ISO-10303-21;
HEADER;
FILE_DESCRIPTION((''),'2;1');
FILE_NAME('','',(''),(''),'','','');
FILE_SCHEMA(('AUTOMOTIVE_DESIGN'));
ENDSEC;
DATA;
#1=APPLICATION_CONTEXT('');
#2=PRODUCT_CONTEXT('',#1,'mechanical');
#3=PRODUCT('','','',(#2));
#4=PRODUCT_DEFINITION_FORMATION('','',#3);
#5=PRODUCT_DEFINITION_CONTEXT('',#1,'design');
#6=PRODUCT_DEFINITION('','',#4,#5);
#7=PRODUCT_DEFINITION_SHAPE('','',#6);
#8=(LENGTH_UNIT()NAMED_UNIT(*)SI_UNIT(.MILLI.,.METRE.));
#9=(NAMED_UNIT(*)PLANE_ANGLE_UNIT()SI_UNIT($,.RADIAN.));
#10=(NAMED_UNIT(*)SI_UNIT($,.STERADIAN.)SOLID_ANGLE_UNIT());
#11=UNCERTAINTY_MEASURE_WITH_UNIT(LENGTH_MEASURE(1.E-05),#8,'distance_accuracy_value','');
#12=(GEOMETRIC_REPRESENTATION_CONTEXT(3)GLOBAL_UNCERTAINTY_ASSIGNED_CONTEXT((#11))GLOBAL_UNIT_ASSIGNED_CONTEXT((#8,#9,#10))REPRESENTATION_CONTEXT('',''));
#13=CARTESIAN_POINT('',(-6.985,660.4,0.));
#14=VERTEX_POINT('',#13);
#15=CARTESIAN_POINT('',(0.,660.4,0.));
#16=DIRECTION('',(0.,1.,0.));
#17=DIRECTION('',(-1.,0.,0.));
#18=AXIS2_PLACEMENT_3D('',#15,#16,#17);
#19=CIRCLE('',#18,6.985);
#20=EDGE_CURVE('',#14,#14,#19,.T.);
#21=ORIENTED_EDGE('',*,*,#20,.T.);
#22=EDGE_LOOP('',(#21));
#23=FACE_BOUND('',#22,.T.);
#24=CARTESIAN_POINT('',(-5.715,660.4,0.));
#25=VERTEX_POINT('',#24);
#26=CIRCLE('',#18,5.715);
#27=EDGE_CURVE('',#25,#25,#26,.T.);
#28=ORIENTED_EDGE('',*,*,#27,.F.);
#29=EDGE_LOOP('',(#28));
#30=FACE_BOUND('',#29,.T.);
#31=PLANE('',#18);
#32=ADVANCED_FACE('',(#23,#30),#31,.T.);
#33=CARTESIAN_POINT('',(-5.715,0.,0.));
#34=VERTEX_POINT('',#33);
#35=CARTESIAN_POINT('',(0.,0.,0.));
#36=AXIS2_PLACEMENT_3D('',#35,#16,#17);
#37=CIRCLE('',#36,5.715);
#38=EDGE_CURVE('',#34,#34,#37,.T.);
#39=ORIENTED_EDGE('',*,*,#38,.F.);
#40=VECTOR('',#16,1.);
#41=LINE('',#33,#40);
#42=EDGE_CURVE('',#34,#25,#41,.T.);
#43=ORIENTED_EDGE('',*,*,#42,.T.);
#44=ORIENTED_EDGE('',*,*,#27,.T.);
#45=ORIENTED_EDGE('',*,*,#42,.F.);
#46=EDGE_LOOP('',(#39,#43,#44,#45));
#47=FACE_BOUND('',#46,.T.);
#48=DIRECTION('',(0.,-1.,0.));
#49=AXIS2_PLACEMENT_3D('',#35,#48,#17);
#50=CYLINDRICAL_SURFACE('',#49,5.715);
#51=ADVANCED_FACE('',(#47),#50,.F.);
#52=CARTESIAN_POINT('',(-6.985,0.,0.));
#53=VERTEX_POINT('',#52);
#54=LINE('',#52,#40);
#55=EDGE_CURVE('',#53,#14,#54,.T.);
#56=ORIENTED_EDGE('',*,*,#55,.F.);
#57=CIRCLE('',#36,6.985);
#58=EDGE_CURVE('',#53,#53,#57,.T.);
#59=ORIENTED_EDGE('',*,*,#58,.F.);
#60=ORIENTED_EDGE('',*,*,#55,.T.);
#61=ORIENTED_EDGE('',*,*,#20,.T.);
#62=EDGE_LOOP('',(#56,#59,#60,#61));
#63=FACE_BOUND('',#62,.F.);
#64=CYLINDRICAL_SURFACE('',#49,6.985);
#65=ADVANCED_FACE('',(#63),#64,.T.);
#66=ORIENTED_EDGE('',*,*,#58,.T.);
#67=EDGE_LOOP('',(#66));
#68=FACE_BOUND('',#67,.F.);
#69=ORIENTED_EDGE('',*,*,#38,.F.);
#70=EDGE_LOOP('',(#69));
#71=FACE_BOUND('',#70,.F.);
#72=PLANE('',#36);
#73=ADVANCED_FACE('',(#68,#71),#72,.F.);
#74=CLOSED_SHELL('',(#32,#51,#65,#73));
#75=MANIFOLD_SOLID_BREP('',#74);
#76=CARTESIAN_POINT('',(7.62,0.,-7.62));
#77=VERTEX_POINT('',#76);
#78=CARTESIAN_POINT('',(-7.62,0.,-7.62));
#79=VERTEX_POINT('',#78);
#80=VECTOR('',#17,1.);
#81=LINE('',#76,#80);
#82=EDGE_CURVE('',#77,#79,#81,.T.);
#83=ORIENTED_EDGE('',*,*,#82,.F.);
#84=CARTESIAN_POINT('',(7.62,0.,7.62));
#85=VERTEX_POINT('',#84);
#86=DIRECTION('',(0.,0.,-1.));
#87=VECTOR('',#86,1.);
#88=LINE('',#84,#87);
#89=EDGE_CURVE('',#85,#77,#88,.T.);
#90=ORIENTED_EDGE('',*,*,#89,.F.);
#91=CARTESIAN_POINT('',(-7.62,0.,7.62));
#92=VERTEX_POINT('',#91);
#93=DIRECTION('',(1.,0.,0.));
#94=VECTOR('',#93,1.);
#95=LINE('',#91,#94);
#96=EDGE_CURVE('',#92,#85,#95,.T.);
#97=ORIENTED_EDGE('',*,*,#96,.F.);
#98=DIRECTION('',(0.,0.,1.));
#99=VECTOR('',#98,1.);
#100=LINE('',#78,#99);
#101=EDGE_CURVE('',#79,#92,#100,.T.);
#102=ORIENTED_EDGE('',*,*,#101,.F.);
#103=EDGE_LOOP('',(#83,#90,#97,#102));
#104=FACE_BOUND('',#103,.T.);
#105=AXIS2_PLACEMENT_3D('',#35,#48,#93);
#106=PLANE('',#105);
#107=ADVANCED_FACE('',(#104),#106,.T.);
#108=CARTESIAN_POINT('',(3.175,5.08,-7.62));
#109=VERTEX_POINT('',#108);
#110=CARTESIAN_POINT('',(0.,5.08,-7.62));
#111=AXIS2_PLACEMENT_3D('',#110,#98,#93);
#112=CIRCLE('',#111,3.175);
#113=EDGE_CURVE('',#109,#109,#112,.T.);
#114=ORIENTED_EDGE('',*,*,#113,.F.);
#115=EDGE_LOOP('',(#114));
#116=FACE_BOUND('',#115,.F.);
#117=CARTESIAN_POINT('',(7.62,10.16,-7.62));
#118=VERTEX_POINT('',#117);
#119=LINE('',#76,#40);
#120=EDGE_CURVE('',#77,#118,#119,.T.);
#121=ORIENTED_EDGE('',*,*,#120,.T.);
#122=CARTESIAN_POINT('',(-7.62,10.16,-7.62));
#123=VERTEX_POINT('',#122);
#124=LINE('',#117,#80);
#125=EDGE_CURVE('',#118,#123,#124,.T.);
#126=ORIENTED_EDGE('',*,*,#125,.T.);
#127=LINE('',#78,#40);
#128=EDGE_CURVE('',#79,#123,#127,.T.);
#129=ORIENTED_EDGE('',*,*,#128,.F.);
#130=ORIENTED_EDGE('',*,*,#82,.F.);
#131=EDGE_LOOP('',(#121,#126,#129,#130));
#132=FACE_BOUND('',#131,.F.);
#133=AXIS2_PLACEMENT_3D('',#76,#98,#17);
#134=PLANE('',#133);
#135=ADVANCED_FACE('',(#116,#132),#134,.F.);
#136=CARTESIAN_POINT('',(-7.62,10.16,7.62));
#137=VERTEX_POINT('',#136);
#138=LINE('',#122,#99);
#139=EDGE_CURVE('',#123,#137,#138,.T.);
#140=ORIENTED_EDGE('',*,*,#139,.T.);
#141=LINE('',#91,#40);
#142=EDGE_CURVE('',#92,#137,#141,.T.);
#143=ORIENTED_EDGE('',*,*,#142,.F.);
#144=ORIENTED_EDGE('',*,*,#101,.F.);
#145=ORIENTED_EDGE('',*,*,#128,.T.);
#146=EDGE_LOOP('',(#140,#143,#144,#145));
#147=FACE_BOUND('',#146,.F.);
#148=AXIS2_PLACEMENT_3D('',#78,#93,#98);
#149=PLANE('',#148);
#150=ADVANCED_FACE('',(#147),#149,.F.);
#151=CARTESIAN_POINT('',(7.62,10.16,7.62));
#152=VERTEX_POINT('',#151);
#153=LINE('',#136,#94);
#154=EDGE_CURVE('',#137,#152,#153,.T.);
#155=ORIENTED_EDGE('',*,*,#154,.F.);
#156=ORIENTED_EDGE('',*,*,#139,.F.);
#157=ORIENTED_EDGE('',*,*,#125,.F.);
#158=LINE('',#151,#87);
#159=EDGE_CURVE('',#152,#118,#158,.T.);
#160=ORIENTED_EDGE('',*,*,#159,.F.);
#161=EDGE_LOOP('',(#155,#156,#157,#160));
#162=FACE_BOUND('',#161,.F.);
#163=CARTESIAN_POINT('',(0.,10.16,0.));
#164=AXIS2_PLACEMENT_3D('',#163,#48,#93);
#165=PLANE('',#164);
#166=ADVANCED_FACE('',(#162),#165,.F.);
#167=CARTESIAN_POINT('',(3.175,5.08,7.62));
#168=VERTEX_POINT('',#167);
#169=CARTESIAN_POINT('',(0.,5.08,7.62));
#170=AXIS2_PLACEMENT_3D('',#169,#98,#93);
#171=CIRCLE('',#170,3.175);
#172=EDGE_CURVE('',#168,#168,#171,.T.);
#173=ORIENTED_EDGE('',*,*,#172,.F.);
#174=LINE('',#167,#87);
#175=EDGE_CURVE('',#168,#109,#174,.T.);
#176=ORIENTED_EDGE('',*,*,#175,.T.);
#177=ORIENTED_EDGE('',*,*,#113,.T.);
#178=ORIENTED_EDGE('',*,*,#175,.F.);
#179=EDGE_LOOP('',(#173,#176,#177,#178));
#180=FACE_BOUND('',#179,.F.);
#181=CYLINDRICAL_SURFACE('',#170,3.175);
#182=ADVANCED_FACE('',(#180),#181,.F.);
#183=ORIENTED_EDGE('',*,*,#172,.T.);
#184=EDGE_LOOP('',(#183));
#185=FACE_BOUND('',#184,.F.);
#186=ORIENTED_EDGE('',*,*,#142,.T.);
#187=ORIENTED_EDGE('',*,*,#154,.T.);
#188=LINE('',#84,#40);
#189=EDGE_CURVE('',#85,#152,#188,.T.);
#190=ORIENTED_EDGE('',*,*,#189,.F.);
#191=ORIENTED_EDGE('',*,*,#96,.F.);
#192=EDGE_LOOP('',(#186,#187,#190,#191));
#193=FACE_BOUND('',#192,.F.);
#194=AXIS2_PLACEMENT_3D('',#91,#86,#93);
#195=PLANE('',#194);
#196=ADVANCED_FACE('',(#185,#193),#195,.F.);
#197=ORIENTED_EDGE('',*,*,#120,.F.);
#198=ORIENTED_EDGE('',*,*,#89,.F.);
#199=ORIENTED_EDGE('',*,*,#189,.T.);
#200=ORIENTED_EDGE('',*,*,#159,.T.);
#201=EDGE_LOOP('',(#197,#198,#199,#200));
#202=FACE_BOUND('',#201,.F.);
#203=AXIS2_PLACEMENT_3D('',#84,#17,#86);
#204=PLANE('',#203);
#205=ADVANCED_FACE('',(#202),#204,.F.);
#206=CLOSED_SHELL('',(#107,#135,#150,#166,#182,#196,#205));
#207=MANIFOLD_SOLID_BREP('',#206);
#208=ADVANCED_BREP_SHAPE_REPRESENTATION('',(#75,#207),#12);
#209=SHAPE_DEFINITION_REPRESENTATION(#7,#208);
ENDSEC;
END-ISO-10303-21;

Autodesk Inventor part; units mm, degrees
ref_plane "YZ Plane" through (0, 0, 0) normal (1, 0, 0) x (0, 1, 0)
ref_plane "XZ Plane" through (0, 0, 0) normal (0, 1, 0) x (-1, 0, 0)
ref_plane "XY Plane" through (0, 0, 0) normal (0, 0, 1) x (1, 0, 0)
sketch "Sketch1" plane through (0, 0, 0) normal (0, 1, 0) x (-1, 0, 0)
  circle A0 centre (0, 0) radius 6.985
  circle A1 centre (0, 0) radius 5.715
  dimension "d0" = 13.97
  dimension "d1" = 11.43
extrude "Extrusion1" add sketch "Sketch1" along normal blind 660.4
sketch "Sketch3" plane through (0, 0, 0) normal (0, -1, 0) x (1, 0, 0)
  line L0 (7.62, -7.62) -> (-7.62, -7.62)
  line L1 (-7.62, -7.62) -> (-7.62, 7.62)
  line L2 (-7.62, 7.62) -> (7.62, 7.62)
  line L3 (7.62, 7.62) -> (7.62, -7.62)
  line L4 (7.62, 0) -> (-7.62, 0) construction
  line L5 (0, -7.62) -> (0, 7.62) construction
  point P0 (0, 0)
  point P1 (0, 0)
  dimension "d4" = 15.24
  dimension "d5" = 15.24
  dimension "d6" = 7.62
  dimension "d7" = 7.62
extrude "Extrusion2" add sketch "Sketch3" against normal blind 10.16 separate body
sketch "Sketch4" plane through (-7.62, 0, 7.62) normal (0, 0, 1) x (1, 0, 0)
  line L0 (0, 0) -> (0, 10.16) projected
  line L1 (15.24, 0) -> (15.24, 10.16) projected
  circle A0 centre (7.62, 5.08) radius 3.175
  point P0 (7.62, 0)
  dimension "d10" = 6.35
extrude "Extrusion3" cut sketch "Sketch4" against normal blind 26.3525 bodies 2
properties part number "InnerLever"
